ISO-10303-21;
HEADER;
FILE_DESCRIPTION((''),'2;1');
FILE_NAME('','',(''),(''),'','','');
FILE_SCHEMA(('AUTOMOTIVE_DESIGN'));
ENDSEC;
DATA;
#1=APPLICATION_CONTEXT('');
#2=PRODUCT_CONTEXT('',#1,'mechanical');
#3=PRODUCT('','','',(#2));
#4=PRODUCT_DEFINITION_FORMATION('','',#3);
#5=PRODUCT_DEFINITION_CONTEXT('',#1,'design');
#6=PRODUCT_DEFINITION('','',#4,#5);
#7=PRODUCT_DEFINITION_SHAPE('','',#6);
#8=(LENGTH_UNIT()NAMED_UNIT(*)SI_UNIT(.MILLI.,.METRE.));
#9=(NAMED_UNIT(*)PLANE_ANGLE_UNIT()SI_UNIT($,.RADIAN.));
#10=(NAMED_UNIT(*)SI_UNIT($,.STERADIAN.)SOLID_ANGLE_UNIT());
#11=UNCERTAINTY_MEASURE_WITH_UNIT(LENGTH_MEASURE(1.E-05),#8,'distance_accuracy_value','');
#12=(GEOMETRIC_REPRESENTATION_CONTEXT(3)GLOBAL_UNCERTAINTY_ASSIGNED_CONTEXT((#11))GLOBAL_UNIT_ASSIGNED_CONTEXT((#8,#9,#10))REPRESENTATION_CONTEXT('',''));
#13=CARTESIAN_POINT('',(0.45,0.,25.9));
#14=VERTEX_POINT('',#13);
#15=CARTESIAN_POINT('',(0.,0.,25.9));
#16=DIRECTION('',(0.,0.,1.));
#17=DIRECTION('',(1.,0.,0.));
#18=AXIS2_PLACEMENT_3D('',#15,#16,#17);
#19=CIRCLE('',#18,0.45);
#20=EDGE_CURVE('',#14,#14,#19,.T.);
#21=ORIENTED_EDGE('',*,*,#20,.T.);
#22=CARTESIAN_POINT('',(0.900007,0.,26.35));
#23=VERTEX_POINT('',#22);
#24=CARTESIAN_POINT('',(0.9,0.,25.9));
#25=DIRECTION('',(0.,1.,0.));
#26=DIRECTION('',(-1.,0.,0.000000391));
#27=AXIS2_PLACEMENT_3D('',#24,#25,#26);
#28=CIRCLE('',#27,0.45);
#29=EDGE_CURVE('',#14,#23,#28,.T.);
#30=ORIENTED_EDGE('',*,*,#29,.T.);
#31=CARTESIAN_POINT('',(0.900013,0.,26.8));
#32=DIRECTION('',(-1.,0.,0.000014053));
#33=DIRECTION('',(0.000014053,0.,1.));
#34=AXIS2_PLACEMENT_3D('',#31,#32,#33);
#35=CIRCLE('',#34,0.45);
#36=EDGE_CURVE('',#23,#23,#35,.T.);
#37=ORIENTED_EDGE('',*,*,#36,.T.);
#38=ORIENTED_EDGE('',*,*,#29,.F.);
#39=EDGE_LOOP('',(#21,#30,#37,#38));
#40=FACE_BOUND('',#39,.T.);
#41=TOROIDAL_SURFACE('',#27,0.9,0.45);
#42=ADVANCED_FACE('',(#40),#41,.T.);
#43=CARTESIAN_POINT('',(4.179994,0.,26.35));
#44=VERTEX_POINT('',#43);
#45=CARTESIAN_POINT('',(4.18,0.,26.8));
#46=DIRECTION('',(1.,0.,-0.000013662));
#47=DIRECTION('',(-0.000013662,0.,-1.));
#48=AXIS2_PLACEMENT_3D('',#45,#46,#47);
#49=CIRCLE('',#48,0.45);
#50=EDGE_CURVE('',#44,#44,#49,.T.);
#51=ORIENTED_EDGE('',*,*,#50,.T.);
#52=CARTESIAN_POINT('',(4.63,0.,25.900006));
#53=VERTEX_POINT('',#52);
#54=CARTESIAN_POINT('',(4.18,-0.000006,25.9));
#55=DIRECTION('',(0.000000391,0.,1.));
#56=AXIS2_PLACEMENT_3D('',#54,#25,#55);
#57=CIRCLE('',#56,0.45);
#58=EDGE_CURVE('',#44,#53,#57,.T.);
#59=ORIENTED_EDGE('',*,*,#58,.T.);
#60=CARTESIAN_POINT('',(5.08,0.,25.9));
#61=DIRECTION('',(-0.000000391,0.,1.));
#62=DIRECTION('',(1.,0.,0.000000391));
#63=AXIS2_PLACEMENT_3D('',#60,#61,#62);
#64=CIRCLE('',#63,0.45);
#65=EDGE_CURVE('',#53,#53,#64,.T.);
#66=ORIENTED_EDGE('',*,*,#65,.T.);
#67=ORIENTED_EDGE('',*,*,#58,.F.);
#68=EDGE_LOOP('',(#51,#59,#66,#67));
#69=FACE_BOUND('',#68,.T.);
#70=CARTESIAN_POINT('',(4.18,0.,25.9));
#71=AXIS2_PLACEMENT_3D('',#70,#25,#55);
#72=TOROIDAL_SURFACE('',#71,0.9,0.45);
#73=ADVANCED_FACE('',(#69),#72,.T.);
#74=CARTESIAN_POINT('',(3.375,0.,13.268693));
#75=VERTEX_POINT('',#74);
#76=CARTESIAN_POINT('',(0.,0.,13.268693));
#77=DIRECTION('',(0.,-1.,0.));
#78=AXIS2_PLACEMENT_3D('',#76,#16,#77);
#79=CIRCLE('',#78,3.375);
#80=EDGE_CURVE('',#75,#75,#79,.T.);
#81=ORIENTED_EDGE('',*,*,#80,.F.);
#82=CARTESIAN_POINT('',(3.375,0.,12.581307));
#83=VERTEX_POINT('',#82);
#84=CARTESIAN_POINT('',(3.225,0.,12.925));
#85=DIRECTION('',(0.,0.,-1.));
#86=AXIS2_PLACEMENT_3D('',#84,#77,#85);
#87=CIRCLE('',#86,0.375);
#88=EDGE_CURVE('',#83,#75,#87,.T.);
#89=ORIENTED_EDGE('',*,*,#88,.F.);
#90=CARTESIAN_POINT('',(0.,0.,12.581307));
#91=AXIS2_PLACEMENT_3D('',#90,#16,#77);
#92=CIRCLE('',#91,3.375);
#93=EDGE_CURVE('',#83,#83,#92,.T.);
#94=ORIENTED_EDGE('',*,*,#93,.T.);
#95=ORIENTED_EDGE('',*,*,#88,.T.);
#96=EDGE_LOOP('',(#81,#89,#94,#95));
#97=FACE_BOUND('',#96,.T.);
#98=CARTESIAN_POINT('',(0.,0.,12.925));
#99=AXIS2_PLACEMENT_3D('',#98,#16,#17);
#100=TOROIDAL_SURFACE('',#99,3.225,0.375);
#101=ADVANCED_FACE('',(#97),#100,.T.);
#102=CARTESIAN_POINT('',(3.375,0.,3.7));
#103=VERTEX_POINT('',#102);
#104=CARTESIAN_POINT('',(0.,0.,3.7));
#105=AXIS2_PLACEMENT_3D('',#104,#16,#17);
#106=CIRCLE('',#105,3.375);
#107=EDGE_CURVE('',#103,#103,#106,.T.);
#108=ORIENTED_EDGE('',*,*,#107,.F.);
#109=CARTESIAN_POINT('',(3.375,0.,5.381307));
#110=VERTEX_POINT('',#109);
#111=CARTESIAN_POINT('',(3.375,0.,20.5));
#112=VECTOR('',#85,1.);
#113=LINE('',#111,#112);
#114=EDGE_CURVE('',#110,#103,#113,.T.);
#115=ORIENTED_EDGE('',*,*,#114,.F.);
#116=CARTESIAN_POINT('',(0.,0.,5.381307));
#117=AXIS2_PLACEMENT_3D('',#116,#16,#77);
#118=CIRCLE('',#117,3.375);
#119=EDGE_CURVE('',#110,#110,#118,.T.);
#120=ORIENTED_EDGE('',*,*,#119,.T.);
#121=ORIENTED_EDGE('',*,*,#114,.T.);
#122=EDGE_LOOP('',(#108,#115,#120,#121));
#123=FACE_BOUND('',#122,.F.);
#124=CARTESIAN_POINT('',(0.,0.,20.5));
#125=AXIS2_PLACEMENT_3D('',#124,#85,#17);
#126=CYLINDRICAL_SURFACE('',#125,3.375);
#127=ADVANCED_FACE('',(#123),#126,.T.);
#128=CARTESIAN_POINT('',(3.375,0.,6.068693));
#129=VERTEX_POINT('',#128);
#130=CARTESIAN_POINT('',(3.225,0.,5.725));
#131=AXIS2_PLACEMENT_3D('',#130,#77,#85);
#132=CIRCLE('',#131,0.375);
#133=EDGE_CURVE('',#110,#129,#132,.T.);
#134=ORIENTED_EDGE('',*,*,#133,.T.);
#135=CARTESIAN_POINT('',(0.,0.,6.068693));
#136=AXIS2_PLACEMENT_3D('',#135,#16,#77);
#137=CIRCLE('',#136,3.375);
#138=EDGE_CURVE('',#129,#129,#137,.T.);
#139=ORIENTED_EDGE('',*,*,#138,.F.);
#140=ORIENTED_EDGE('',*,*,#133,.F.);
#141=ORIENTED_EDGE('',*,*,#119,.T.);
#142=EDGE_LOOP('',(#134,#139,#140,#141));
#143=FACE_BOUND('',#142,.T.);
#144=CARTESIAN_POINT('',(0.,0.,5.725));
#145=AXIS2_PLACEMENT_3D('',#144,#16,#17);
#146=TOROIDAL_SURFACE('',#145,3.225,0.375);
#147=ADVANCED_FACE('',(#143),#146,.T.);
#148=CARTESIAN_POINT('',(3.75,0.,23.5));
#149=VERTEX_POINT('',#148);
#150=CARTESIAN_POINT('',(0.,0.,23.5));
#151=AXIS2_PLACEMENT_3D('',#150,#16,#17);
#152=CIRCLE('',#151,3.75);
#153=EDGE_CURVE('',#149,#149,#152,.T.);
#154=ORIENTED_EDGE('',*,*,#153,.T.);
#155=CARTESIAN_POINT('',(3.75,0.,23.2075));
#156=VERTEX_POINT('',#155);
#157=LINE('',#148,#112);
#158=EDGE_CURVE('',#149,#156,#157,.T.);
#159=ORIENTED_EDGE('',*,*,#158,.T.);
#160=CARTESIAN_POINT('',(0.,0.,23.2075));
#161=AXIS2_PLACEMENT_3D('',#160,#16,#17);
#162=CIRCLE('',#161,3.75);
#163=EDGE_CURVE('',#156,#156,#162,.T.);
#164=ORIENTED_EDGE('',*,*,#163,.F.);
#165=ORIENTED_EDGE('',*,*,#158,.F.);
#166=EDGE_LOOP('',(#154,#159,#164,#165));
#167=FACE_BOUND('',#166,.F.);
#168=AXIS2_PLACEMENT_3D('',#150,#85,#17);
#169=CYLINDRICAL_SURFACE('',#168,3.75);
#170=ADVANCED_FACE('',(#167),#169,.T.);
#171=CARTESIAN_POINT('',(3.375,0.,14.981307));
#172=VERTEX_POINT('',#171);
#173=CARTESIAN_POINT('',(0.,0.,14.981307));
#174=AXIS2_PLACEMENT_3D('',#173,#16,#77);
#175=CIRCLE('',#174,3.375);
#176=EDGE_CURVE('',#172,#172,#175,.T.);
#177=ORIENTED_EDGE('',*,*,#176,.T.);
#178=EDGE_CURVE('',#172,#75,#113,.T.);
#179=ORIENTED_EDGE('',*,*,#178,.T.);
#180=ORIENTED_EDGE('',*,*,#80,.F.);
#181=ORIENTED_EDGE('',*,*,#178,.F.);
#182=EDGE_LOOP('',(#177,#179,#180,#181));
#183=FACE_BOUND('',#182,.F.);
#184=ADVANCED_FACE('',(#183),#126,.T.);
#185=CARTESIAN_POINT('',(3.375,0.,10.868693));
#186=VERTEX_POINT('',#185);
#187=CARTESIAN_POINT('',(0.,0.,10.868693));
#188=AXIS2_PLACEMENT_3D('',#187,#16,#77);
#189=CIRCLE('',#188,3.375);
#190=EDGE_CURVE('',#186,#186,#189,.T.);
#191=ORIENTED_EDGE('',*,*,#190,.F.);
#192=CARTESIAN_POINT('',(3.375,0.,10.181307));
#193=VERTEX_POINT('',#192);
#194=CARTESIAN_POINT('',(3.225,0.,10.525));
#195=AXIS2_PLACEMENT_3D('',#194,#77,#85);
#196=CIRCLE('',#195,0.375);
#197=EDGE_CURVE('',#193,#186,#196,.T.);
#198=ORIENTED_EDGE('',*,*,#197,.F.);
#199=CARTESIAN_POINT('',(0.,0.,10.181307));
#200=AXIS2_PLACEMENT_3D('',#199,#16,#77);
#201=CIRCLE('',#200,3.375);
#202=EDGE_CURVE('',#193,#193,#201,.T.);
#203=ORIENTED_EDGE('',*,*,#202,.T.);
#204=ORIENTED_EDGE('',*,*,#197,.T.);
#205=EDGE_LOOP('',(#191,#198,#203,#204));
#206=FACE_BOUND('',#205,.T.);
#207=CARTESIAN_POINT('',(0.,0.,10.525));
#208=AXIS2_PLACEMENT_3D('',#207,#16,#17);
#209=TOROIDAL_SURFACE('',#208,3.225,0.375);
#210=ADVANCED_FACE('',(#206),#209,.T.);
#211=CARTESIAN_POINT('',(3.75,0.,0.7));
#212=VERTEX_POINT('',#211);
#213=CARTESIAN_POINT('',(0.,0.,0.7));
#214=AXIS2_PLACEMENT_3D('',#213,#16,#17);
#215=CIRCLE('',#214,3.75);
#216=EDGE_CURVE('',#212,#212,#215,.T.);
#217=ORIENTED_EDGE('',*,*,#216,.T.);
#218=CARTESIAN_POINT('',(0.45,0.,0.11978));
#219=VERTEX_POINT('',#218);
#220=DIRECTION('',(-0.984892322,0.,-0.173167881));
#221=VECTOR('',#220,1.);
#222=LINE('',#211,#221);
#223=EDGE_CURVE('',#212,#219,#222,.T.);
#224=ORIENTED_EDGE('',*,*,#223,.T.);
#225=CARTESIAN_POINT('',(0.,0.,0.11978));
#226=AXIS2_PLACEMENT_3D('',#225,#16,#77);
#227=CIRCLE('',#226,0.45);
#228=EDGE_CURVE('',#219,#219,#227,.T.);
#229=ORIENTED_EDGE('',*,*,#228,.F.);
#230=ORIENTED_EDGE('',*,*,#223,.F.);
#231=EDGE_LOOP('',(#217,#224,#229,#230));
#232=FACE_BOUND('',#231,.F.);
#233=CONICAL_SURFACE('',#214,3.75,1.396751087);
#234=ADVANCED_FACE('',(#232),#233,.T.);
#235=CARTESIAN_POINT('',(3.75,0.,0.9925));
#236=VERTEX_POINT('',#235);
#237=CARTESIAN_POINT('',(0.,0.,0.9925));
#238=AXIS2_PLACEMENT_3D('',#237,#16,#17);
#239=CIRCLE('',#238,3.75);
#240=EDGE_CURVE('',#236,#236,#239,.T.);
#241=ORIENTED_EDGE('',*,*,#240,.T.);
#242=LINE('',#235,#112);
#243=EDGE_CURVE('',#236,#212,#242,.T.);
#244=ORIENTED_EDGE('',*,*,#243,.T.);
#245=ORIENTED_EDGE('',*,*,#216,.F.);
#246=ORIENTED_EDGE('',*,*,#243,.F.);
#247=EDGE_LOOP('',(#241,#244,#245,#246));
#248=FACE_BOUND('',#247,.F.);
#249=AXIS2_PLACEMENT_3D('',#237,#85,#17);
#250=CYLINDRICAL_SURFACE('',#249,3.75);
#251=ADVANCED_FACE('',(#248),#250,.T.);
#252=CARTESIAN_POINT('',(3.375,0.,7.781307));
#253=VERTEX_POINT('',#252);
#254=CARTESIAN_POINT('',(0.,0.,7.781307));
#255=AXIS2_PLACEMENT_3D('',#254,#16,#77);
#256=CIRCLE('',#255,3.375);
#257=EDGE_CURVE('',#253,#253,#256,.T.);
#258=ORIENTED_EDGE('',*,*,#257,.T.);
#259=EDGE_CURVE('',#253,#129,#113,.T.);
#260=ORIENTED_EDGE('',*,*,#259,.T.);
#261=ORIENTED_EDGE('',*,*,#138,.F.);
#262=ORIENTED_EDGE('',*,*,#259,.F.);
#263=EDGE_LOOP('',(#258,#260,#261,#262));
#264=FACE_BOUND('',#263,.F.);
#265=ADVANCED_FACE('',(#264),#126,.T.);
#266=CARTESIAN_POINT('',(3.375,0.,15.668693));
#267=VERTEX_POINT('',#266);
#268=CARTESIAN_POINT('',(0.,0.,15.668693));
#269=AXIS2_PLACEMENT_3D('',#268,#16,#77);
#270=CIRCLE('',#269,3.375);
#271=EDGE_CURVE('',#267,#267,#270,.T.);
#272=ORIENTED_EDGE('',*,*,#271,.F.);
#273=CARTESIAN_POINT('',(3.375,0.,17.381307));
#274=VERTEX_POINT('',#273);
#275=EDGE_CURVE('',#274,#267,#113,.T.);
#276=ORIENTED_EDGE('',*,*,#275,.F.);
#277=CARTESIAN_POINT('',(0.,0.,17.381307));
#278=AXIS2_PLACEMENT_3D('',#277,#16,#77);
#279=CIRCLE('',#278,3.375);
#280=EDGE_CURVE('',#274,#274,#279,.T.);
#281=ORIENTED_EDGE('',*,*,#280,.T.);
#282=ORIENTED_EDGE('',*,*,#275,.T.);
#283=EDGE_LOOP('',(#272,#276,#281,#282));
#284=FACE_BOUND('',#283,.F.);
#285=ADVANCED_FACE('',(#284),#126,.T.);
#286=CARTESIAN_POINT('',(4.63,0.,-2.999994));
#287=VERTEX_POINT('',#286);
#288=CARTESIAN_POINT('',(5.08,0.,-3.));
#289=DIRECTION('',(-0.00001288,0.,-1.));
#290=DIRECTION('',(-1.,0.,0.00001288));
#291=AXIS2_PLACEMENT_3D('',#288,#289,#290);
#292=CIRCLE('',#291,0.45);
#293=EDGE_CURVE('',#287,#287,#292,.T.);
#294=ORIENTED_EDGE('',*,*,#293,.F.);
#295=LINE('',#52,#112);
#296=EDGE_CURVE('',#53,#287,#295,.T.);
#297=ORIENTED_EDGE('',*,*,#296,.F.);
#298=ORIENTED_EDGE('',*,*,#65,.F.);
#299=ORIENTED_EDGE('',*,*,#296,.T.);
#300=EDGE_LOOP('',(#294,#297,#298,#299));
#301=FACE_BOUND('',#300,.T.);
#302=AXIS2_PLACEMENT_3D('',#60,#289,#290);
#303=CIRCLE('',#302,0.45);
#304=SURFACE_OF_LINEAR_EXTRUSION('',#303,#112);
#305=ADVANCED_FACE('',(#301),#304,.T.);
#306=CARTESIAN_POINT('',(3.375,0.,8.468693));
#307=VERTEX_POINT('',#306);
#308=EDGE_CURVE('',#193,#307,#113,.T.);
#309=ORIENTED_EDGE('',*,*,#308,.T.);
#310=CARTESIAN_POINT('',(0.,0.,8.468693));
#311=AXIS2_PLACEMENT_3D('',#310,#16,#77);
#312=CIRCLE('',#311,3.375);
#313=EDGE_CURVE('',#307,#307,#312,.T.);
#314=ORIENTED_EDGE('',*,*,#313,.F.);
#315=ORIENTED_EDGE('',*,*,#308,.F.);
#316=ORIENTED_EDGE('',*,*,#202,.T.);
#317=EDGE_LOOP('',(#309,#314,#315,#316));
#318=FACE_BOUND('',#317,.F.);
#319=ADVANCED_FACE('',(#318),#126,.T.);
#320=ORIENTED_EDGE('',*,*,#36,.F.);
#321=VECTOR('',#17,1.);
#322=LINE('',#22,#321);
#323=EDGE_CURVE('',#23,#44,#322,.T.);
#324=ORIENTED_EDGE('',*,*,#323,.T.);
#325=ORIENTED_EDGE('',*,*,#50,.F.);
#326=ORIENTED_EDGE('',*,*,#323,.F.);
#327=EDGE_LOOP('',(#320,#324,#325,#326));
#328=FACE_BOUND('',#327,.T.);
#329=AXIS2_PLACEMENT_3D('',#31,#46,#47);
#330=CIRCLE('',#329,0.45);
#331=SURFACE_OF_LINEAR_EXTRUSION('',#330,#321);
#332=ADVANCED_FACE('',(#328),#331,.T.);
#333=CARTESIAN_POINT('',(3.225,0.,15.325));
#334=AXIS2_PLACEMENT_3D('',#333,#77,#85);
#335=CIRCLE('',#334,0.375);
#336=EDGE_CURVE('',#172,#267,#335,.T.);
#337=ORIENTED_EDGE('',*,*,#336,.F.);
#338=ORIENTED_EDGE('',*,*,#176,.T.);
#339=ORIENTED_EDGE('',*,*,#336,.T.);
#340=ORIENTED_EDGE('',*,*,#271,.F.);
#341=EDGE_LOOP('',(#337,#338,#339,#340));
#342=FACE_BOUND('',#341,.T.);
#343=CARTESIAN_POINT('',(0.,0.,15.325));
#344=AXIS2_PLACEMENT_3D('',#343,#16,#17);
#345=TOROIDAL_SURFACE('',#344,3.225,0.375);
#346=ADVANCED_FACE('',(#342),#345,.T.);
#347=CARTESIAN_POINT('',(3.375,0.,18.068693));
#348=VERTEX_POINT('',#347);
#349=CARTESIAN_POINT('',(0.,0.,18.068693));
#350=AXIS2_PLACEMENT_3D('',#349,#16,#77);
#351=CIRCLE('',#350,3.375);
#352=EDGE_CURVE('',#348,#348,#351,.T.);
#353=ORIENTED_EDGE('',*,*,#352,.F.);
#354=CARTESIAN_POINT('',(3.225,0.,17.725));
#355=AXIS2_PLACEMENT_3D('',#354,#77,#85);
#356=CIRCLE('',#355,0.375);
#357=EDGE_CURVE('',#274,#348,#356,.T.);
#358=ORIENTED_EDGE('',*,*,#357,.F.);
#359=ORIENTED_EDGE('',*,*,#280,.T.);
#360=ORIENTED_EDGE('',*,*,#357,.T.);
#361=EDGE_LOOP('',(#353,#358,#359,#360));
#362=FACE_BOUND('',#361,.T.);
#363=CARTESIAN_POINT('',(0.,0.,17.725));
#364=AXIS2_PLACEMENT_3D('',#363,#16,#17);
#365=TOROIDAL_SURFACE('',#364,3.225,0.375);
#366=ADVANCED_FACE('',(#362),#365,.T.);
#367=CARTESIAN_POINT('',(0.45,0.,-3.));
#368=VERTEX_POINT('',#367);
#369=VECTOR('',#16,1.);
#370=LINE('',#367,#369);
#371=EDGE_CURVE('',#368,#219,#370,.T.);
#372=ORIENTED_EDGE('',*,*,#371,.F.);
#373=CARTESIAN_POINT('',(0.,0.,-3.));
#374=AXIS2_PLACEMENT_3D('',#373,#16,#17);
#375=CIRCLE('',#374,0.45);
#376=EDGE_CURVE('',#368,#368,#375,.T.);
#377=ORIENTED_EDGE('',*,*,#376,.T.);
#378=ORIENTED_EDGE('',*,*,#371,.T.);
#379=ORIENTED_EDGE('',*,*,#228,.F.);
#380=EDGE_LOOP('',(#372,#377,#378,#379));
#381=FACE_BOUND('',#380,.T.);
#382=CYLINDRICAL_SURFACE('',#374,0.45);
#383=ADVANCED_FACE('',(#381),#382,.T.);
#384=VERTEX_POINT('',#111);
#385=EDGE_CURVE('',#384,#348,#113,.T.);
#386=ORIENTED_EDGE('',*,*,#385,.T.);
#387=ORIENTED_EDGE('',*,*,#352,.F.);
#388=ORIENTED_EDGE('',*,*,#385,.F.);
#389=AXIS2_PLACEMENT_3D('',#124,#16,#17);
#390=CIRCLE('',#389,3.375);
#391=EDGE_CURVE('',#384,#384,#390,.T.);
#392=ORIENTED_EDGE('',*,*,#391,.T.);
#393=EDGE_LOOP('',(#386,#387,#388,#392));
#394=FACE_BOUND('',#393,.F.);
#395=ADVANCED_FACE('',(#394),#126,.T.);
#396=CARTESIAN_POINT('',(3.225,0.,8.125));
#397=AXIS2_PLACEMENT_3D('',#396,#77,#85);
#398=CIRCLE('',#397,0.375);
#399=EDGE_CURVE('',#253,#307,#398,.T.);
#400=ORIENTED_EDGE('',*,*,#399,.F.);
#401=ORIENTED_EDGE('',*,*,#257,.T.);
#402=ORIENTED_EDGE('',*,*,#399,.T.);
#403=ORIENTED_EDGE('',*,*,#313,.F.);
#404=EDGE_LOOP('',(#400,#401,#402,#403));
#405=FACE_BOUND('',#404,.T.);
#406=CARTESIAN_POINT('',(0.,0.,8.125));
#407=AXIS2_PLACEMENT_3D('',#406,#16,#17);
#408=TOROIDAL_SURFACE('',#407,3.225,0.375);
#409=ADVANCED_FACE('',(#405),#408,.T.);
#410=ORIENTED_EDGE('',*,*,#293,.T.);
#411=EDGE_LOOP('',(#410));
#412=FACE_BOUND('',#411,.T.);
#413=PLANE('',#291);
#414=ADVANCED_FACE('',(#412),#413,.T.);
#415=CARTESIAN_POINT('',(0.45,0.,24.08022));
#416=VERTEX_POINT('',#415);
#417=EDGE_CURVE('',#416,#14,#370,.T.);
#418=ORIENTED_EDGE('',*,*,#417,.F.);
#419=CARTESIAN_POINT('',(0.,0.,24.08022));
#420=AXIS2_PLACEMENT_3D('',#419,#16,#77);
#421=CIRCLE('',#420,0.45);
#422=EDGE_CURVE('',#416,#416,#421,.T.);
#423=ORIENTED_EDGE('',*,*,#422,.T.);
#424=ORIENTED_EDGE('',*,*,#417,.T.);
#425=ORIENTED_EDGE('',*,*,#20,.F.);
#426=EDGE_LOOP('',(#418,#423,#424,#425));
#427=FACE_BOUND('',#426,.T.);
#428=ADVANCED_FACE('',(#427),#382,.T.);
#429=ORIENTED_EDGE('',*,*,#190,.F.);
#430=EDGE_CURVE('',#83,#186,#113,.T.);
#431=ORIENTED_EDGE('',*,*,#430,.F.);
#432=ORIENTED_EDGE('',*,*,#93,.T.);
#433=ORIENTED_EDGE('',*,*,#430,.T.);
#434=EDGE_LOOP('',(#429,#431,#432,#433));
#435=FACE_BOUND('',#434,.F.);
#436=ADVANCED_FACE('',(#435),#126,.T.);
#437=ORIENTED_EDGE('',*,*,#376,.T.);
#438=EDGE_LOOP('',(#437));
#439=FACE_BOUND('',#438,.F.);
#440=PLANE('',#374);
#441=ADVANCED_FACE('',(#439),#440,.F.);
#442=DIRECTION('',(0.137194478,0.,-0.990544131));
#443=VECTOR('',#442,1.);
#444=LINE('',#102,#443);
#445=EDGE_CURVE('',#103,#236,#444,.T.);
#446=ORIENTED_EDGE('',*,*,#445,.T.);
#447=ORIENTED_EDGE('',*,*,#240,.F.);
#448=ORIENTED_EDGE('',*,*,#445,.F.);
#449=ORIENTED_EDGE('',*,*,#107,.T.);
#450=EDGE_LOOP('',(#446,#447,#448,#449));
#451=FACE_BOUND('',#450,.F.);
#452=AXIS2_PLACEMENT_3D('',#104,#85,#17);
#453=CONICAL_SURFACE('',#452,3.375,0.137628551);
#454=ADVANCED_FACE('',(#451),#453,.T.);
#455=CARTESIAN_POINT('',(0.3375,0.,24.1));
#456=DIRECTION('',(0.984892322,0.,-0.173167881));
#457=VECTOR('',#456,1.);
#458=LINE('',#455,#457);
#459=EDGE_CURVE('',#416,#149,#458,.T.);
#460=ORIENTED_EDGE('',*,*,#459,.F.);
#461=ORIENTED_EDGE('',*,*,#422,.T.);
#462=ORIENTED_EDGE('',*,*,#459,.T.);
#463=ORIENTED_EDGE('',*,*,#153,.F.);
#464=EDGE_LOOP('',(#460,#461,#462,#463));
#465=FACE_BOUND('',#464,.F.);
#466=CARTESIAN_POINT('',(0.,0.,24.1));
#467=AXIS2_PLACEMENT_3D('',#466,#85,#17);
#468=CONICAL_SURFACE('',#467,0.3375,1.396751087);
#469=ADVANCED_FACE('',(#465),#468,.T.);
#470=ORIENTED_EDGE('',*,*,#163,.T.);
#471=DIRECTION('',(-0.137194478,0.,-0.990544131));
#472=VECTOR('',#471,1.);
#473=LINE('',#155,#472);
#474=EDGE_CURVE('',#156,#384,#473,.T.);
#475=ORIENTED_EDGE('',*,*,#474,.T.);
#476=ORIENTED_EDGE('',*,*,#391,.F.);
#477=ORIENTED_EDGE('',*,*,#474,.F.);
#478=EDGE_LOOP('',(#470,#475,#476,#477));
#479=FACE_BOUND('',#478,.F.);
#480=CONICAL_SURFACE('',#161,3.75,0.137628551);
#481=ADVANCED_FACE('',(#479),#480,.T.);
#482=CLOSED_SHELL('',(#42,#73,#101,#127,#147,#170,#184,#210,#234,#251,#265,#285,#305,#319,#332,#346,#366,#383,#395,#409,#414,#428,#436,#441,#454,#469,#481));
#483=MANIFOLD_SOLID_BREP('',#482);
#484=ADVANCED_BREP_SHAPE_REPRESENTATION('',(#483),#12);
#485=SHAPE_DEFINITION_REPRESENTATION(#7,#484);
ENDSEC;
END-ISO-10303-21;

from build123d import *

# Parameters (mm, degrees)
SKETCH_R = 0.45


with BuildPart() as revolution:
    # Sketch002 → Revolution (revolve)
    with BuildSketch(Plane.XZ):
        Polygon((0, 0.1), (0, 24.1), (0.3375, 24.1), (3.75, 23.5), (3.75, 23.2075), (3.375, 20.5), (3.375, 3.7), (3.75, 0.9925), (3.75, 0.7), (0.3375, 0.1), align=None)
    revolve(axis=Axis((0, 0, 0), (0, 0, 1)))


with BuildPart() as sweep_body:
    # Sweep: sweep along a path in Sketch001
    with BuildLine(Plane.XZ) as sweep_path:
        Line((0, -3), (0, 25.9))
        ThreePointArc((0, 25.9), (0.263609, 26.536401), (0.900013, 26.8))
        Line((0.900013, 26.8), (4.18, 26.8))
        ThreePointArc((4.18, 26.8), (4.816396, 26.536396), (5.08, 25.9))
        Line((5.08, 25.9), (5.08, -3))
    # Sketch → Sweep (sweep)
    with BuildSketch(Plane.XY.offset(-2)):
        Circle(SKETCH_R)
    sweep(path=sweep_path.line)


with BuildPart() as revolution001_mp_cp:
    # Sketch003 → Revolution001 (revolve)
    with BuildSketch(Plane.XZ):
        with BuildLine():
            Line((3, 19.75), (3, 3.7))
            Line((3, 3.7), (3.225, 3.7))
            Line((3.225, 3.7), (3.225, 5.35))
            ThreePointArc((3.225, 5.35), (3.6, 5.725), (3.225, 6.1))
            Line((3.225, 6.1), (3.225, 7.75))
            ThreePointArc((3.225, 7.75), (3.6, 8.125), (3.225, 8.5))
            Line((3.225, 8.5), (3.225, 10.15))
            ThreePointArc((3.225, 10.15), (3.6, 10.525), (3.225, 10.9))
            Line((3.225, 10.9), (3.225, 12.55))
            ThreePointArc((3.225, 12.55), (3.6, 12.925), (3.225, 13.3))
            Line((3.225, 13.3), (3.225, 14.95))
            ThreePointArc((3.225, 14.95), (3.6, 15.325), (3.225, 15.7))
            Line((3.225, 15.7), (3.225, 17.35))
            ThreePointArc((3.225, 17.35), (3.6, 17.725), (3.225, 18.1))
            Line((3.225, 19.75), (3.225, 18.1))
            Line((3, 19.75), (3.225, 19.75))
        make_face()
    revolve(axis=Axis((0, 0, 0), (0, 0, 1)))

    # Revolution001_mp_cp: union Revolution, Sweep body
    add(revolution.part)
    add(sweep_body.part)


solid = revolution001_mp_cp.part
